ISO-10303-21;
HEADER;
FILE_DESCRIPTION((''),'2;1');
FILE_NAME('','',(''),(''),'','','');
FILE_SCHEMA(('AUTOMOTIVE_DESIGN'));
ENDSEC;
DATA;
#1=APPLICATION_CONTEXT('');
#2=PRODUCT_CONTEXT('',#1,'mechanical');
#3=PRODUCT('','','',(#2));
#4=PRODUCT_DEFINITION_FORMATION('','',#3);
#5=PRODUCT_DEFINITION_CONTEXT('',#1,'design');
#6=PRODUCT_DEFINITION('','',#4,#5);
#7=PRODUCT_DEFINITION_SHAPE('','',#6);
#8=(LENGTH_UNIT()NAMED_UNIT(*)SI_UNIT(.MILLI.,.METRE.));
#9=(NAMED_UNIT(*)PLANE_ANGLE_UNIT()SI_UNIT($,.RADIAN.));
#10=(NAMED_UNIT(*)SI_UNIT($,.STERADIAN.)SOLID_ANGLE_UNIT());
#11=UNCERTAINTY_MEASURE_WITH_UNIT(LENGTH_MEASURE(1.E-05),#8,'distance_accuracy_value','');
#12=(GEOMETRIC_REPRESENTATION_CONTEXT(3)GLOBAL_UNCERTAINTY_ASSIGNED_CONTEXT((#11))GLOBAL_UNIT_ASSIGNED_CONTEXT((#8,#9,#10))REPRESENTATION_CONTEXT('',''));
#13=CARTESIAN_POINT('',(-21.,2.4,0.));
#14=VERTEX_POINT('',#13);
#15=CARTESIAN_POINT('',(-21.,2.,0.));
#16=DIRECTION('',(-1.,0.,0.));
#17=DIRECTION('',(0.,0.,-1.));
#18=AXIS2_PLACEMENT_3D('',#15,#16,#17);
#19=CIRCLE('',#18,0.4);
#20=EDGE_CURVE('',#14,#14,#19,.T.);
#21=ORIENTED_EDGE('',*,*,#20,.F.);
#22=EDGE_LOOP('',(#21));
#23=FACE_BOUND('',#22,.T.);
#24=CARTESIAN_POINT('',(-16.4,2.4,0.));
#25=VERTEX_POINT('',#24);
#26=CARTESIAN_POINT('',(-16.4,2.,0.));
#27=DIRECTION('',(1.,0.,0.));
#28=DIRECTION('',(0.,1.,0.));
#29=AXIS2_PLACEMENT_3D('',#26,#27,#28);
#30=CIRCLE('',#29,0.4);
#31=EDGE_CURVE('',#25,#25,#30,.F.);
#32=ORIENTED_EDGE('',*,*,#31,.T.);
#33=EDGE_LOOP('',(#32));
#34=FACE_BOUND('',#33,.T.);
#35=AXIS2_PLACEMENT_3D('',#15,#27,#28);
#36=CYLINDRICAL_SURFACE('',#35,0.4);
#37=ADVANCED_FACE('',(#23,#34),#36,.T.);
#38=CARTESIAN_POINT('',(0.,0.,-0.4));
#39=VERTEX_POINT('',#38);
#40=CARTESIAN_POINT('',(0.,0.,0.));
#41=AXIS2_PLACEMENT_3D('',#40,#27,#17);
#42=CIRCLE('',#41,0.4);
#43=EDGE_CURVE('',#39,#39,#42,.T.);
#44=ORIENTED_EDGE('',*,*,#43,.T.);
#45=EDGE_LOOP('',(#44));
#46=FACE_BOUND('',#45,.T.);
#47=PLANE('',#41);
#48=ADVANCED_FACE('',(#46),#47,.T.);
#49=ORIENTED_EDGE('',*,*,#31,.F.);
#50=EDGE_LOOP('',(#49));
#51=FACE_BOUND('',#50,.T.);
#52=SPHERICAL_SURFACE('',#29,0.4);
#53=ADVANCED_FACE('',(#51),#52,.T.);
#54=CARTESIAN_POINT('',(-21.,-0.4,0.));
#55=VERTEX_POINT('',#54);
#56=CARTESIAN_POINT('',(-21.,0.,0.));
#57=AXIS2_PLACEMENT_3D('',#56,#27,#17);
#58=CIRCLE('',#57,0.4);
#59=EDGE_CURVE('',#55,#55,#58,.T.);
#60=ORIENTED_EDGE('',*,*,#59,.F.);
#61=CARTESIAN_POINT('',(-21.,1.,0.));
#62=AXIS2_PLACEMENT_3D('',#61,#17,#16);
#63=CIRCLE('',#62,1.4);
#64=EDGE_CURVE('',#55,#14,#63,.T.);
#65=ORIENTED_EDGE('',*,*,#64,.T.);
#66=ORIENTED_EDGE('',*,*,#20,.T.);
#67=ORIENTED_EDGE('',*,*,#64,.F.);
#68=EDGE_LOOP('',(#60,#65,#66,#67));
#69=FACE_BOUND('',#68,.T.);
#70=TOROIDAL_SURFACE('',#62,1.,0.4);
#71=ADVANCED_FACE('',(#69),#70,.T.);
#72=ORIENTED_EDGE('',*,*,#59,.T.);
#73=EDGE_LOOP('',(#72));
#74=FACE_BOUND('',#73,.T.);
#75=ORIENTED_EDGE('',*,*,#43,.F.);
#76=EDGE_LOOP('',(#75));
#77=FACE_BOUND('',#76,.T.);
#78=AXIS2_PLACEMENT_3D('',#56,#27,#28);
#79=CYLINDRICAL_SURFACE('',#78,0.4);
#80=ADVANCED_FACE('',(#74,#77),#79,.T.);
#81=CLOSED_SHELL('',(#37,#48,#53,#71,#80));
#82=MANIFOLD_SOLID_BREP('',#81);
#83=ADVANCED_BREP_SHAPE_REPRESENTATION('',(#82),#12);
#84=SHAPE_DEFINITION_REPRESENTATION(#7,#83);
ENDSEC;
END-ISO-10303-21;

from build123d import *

# Parameters (mm, degrees)
SKETCH2_R = 0.4
FILLET1_R = 0.4


with BuildPart() as part:
    # Sweep1: sweep along a path in Sketch1
    with BuildLine(Plane.XY) as sweep1_path:
        Line((0, 0), (-21, 0))
        ThreePointArc((-21, 0), (-22, 1), (-21, 2))
        Line((-21, 2), (-16, 2))
    # Sketch2 → Sweep1 (sweep)
    with BuildSketch(Plane(origin=(0, 0, 0), x_dir=(0, 0, -1), z_dir=(1, 0, 0))):
        Circle(SKETCH2_R)
    sweep(path=sweep1_path.line)

    # Fillet1
    fillet1_edges = [part.edges().sort_by_distance(p)[0] for p in [
        (-16, 2, 0.4),
    ]]
    fillet(fillet1_edges, radius=FILLET1_R)


solid = part.part
